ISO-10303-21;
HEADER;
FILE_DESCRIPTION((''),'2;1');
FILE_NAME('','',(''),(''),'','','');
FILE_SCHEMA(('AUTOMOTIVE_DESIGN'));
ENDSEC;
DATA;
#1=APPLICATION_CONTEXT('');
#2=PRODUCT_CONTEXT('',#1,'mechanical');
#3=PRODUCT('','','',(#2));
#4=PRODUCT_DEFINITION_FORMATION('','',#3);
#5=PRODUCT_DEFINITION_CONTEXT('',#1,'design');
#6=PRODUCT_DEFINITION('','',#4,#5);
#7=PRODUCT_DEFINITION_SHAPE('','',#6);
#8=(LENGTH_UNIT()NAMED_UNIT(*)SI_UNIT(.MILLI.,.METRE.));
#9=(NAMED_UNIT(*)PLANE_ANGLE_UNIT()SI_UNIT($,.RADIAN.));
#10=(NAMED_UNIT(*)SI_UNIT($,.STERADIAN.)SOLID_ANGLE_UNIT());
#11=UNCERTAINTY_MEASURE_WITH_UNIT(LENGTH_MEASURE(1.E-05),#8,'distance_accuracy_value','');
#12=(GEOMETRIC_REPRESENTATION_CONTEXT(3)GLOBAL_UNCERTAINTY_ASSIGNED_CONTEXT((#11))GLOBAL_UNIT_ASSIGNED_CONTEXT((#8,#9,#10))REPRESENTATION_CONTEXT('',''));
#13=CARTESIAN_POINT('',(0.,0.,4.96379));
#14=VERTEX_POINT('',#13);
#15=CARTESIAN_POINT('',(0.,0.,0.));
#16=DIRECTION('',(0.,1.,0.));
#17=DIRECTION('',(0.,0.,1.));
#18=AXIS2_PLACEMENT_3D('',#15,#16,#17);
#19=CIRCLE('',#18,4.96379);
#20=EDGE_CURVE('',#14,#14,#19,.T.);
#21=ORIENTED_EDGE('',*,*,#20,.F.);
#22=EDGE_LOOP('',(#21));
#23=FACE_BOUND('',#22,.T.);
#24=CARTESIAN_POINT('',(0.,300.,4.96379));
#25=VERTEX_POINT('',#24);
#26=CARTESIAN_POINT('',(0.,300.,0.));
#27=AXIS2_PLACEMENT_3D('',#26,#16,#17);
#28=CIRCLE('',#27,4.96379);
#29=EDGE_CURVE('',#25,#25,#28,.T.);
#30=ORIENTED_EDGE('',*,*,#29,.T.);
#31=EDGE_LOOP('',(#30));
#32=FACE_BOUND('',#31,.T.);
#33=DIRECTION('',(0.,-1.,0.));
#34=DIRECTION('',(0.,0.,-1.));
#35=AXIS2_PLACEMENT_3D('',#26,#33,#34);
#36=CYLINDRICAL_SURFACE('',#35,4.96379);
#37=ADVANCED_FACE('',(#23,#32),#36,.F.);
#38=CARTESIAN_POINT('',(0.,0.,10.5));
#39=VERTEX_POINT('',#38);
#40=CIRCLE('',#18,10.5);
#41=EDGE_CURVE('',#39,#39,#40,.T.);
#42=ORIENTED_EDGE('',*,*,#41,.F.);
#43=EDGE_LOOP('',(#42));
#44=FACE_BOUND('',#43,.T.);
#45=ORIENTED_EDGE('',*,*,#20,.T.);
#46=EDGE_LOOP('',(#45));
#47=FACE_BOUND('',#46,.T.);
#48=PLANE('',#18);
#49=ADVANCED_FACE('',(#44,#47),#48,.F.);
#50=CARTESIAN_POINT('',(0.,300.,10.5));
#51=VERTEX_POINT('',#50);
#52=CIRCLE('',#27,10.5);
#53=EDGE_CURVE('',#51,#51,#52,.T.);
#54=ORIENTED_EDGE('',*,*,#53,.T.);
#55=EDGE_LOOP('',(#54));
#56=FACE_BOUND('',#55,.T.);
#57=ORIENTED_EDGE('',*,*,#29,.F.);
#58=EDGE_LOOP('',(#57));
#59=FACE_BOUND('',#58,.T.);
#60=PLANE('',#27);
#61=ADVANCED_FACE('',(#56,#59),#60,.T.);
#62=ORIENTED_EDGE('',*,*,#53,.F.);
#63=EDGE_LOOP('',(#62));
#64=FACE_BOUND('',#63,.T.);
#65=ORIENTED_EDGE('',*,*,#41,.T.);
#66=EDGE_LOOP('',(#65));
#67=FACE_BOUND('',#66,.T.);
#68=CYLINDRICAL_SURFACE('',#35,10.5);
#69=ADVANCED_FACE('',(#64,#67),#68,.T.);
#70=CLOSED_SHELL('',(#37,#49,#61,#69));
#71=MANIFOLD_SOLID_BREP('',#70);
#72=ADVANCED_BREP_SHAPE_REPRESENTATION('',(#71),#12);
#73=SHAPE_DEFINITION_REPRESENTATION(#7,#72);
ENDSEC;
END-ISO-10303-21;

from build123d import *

# Parameters (mm, degrees)
SKETCH1_R           = 10.5
SKETCH1_R_2         = 4.963790091
BOSS_EXTRUDE1_DEPTH = 300


with BuildPart() as part:
    # Sketch1 → Boss-Extrude1 (new body)
    with BuildSketch(Plane(origin=(0, 0, 0), x_dir=(1, 0, 0), z_dir=(0, 1, 0))):
        Circle(SKETCH1_R)
        Circle(SKETCH1_R_2, mode=Mode.SUBTRACT)
    extrude(amount=BOSS_EXTRUDE1_DEPTH)


solid = part.part
